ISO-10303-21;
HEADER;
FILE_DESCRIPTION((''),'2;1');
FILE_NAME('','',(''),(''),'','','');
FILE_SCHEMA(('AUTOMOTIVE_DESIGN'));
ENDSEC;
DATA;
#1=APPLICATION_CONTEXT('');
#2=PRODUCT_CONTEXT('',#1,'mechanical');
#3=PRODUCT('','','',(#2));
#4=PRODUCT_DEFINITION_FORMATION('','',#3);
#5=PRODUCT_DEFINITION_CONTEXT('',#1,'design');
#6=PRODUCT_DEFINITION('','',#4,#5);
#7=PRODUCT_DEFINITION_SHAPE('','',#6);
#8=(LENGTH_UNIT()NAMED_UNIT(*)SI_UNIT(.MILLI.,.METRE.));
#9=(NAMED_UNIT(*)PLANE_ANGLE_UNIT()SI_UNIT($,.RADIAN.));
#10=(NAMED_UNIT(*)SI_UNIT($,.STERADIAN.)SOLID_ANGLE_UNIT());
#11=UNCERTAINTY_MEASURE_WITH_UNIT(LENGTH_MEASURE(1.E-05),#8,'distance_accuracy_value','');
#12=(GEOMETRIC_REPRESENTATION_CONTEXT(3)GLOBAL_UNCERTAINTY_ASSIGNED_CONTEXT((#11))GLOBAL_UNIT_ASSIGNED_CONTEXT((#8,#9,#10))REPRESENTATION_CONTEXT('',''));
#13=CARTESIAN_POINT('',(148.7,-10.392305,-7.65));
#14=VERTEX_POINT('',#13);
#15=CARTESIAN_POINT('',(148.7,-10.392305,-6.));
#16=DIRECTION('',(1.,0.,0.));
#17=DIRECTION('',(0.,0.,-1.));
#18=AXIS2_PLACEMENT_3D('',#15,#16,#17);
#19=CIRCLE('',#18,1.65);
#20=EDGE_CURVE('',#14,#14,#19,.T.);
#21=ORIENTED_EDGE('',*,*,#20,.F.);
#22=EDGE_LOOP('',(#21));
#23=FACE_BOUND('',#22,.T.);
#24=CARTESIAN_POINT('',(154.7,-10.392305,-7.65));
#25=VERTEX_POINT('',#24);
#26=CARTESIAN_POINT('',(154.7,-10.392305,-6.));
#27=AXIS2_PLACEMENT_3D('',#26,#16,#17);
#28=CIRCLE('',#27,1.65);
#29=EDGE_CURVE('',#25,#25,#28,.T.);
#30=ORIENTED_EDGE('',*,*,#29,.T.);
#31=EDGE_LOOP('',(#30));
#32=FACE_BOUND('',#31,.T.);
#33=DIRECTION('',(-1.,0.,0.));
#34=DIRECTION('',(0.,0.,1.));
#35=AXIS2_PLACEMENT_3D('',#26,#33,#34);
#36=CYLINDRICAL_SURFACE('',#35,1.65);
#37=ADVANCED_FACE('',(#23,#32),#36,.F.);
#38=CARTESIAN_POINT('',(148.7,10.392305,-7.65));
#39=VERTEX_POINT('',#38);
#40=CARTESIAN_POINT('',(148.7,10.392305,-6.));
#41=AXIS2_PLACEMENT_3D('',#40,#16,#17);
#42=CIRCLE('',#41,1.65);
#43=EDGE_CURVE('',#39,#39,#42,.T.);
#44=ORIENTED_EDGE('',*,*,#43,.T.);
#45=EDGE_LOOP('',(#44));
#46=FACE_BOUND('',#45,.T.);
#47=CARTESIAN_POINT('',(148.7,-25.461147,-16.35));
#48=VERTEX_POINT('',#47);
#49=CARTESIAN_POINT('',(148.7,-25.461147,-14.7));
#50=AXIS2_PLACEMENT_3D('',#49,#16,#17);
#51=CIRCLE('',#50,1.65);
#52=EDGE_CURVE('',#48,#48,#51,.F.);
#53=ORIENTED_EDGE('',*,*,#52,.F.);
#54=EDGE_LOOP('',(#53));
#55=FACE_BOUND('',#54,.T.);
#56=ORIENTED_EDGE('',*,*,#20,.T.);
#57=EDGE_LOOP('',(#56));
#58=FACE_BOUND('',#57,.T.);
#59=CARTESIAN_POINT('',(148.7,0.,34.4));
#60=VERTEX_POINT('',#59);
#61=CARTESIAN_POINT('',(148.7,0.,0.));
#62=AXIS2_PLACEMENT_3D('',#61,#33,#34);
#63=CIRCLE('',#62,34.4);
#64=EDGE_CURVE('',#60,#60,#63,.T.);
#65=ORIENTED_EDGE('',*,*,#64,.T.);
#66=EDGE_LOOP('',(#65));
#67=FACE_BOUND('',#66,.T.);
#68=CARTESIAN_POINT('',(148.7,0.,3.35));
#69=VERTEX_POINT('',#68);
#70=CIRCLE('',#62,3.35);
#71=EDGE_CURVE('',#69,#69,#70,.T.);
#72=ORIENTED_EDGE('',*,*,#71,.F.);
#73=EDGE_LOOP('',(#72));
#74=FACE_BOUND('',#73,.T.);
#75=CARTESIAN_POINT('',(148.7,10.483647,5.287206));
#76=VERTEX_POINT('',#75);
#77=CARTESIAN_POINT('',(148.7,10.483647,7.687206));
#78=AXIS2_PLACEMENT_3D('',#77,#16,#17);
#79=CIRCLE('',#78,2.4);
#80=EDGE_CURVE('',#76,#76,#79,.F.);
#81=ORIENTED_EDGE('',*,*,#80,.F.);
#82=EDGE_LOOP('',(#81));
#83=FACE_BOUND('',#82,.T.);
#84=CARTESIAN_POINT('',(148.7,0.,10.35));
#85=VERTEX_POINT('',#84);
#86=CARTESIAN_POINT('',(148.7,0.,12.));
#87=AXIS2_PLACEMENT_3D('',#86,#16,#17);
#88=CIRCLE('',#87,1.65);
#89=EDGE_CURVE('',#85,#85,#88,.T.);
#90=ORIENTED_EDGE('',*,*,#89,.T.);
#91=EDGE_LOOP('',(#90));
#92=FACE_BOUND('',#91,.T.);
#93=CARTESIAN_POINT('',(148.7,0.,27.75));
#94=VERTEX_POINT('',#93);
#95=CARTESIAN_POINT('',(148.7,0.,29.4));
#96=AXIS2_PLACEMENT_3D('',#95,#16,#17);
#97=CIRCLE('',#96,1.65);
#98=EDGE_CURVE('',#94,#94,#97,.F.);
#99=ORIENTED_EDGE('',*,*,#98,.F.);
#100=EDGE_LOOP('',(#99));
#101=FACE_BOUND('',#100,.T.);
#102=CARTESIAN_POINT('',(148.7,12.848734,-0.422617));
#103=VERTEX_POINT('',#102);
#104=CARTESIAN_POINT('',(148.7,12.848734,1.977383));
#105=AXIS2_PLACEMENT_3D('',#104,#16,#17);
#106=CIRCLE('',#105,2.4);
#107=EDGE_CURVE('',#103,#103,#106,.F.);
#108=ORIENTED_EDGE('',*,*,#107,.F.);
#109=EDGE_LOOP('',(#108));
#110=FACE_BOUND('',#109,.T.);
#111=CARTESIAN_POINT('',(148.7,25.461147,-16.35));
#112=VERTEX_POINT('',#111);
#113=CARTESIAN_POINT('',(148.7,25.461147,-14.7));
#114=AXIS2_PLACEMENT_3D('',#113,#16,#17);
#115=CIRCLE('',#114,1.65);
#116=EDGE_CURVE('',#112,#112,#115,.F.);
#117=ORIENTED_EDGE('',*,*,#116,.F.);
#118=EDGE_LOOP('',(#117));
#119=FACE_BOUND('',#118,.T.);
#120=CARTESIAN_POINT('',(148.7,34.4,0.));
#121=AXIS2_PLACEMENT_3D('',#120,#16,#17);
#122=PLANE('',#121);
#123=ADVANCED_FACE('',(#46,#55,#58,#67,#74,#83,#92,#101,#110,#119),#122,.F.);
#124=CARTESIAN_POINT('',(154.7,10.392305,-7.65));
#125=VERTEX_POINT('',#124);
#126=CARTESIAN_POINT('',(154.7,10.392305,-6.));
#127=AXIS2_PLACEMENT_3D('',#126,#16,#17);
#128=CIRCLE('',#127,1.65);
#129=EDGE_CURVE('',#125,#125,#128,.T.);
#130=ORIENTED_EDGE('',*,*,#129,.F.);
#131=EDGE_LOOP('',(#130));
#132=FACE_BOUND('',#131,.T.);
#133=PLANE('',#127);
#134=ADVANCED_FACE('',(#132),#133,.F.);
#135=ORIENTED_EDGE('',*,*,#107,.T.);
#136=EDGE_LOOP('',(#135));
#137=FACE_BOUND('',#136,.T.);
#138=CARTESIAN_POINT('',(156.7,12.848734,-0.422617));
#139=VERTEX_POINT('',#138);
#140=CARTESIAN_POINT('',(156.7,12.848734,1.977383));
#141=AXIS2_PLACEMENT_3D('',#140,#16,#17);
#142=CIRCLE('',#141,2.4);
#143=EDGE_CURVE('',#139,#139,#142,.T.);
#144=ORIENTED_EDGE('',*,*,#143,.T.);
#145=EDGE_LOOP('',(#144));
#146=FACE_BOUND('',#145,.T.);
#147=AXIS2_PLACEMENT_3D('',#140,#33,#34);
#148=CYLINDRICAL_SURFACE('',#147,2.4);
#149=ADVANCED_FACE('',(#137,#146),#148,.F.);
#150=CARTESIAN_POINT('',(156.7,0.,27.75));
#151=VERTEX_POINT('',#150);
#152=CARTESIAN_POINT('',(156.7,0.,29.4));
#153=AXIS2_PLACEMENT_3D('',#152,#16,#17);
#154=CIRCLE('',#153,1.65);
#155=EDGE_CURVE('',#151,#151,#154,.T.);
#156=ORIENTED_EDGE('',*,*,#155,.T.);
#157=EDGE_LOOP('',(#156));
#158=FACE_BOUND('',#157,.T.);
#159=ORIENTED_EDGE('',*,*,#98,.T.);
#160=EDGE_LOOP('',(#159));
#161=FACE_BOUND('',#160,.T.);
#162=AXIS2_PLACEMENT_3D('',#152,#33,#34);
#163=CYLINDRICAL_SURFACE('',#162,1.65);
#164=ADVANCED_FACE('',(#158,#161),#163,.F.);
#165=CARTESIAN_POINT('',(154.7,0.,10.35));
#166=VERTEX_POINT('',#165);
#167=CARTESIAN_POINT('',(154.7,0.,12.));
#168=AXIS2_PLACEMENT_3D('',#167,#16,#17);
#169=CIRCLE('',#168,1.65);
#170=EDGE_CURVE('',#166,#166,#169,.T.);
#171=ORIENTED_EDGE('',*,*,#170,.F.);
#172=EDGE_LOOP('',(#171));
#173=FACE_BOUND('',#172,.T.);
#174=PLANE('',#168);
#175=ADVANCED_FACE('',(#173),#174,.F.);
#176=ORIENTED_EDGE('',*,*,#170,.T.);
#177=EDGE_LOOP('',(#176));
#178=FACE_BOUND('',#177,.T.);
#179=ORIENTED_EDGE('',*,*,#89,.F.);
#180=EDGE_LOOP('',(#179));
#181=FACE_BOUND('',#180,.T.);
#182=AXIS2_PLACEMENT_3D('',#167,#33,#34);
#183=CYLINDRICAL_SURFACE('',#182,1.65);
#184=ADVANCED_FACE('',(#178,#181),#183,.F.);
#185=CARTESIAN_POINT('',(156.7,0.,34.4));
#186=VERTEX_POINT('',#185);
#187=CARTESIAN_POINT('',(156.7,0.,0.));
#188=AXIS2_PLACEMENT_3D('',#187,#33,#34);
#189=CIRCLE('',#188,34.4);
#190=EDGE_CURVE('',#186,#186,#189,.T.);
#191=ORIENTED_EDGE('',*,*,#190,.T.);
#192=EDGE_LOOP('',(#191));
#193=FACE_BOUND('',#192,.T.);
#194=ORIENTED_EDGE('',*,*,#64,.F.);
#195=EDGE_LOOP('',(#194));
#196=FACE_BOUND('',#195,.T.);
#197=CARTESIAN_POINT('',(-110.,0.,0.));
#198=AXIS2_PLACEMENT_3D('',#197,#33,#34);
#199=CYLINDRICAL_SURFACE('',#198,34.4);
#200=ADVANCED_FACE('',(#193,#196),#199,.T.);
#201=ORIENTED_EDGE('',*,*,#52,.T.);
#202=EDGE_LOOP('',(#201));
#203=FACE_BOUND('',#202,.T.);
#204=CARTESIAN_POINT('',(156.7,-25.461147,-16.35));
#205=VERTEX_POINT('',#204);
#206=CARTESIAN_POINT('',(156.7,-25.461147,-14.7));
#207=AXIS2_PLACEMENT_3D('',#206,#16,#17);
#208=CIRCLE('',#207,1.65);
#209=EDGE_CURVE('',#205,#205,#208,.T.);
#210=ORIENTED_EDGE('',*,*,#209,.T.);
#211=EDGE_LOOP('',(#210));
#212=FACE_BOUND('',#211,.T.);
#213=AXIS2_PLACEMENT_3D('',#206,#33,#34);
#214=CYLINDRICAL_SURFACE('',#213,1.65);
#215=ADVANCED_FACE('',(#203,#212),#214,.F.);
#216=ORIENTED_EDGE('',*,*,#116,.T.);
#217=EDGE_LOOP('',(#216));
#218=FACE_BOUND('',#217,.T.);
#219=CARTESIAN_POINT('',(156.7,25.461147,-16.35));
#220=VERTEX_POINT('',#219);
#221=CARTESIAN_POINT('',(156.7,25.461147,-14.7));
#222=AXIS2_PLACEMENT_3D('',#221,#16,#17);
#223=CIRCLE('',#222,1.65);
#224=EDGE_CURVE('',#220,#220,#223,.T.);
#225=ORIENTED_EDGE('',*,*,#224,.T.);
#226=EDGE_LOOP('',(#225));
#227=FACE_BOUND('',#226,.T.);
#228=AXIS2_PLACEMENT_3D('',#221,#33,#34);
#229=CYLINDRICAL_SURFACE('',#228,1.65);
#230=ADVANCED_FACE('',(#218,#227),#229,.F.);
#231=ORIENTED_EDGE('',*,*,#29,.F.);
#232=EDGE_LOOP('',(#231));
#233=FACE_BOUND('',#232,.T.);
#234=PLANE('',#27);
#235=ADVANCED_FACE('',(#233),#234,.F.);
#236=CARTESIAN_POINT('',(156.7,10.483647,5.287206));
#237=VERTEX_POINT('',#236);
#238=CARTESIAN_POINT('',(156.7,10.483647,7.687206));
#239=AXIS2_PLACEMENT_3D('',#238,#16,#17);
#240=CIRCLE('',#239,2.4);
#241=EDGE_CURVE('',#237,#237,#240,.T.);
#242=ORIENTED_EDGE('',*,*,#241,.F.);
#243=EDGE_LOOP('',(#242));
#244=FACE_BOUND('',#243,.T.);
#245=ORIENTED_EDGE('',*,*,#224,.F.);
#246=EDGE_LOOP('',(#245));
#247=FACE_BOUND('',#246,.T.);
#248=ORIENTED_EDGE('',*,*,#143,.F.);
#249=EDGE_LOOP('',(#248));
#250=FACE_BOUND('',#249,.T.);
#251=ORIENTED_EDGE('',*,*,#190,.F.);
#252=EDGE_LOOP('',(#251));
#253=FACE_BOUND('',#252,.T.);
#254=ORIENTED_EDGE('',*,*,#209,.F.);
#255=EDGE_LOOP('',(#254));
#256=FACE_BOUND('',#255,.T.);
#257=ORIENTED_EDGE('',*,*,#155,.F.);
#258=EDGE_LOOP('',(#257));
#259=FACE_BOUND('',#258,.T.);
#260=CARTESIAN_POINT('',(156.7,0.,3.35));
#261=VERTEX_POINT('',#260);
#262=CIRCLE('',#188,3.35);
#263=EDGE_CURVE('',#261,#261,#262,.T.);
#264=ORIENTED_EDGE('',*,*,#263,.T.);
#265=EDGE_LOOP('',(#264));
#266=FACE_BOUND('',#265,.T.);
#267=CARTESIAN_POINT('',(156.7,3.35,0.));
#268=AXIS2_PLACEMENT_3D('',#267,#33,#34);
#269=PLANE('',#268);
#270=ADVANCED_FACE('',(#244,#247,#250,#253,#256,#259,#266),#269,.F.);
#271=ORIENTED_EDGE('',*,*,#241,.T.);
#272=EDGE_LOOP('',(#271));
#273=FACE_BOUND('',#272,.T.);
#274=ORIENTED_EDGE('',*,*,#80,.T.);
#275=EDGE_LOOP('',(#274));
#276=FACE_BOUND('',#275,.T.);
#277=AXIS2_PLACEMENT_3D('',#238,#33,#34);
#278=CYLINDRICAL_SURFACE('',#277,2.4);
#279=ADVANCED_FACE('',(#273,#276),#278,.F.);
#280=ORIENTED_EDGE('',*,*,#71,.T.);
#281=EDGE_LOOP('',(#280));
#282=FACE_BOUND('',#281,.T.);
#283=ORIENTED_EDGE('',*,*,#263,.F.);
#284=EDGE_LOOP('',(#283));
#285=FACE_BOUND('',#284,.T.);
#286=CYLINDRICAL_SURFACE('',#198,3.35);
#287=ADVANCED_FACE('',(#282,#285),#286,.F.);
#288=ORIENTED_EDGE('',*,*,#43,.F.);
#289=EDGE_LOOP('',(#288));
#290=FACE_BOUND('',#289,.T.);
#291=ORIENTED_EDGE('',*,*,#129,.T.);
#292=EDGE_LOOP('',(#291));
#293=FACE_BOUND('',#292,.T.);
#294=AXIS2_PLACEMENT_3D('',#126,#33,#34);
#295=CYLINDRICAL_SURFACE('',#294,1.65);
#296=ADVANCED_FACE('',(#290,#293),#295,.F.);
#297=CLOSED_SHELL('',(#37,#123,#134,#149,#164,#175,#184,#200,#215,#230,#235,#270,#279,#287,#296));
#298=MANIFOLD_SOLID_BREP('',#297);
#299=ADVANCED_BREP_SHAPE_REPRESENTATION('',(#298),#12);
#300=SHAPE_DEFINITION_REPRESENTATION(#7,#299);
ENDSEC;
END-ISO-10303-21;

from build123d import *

# Parameters (mm, degrees)
AXIAL_PROFILE_MM_W     = 8
AXIAL_PROFILE_MM_H     = 31.05
AXIAL_HOLES_DEPTH      = 165.078060691
AXIAL_HOLES_DEPTH_BACK = 165.078060691
SKETCH2_R              = 2.4
SKETCH2_R_2            = 1.65
CUT_EXTRUDE2_START     = 148.7
SKETCH3_R              = 1.65
CUT_EXTRUDE2_DEPTH     = 6


with BuildPart() as part:
    # Axial profile (mm) → Full revolution (revolve)
    with BuildSketch(Plane.XY, mode=Mode.PRIVATE) as full_revolution_sk:
        with Locations((152.7, 18.875)):
            Rectangle(AXIAL_PROFILE_MM_W, AXIAL_PROFILE_MM_H)
    revolve(full_revolution_sk.sketch.rotate(Axis((-110, 0, 0), (1, 0, 0)), 90), axis=Axis((-110, 0, 0), (1, 0, 0)))

    # Sketch2 → Axial holes (cut, two sides: drawn at the far end of the back side and taken through both)
    with BuildSketch(Plane(origin=(0, 0, 0), x_dir=(0, 0, -1), z_dir=(1, 0, 0)).offset(-AXIAL_HOLES_DEPTH_BACK)):
        with Locations((-1.977382665, 12.848733704)):
            Circle(SKETCH2_R)
        with Locations((-7.687206041, 10.483647423)):
            Circle(SKETCH2_R)
        with Locations((-29.4, 0)):
            Circle(SKETCH2_R_2)
        with Locations((14.7, -25.461146871)):
            Circle(SKETCH2_R_2)
        with Locations((14.7, 25.461146871)):
            Circle(SKETCH2_R_2)
    extrude(amount=AXIAL_HOLES_DEPTH + AXIAL_HOLES_DEPTH_BACK, mode=Mode.SUBTRACT)

    # Sketch3 → Cut-Extrude2 (cut)
    with BuildSketch(Plane(origin=(0, 0, 0), x_dir=(0, 0, -1), z_dir=(1, 0, 0)).offset(CUT_EXTRUDE2_START)):
        with Locations((-12, 0)):
            Circle(SKETCH3_R)
        with Locations((6, -10.392304845)):
            Circle(SKETCH3_R)
        with Locations((6, 10.392304845)):
            Circle(SKETCH3_R)
    extrude(amount=CUT_EXTRUDE2_DEPTH, mode=Mode.SUBTRACT)


solid = part.part
